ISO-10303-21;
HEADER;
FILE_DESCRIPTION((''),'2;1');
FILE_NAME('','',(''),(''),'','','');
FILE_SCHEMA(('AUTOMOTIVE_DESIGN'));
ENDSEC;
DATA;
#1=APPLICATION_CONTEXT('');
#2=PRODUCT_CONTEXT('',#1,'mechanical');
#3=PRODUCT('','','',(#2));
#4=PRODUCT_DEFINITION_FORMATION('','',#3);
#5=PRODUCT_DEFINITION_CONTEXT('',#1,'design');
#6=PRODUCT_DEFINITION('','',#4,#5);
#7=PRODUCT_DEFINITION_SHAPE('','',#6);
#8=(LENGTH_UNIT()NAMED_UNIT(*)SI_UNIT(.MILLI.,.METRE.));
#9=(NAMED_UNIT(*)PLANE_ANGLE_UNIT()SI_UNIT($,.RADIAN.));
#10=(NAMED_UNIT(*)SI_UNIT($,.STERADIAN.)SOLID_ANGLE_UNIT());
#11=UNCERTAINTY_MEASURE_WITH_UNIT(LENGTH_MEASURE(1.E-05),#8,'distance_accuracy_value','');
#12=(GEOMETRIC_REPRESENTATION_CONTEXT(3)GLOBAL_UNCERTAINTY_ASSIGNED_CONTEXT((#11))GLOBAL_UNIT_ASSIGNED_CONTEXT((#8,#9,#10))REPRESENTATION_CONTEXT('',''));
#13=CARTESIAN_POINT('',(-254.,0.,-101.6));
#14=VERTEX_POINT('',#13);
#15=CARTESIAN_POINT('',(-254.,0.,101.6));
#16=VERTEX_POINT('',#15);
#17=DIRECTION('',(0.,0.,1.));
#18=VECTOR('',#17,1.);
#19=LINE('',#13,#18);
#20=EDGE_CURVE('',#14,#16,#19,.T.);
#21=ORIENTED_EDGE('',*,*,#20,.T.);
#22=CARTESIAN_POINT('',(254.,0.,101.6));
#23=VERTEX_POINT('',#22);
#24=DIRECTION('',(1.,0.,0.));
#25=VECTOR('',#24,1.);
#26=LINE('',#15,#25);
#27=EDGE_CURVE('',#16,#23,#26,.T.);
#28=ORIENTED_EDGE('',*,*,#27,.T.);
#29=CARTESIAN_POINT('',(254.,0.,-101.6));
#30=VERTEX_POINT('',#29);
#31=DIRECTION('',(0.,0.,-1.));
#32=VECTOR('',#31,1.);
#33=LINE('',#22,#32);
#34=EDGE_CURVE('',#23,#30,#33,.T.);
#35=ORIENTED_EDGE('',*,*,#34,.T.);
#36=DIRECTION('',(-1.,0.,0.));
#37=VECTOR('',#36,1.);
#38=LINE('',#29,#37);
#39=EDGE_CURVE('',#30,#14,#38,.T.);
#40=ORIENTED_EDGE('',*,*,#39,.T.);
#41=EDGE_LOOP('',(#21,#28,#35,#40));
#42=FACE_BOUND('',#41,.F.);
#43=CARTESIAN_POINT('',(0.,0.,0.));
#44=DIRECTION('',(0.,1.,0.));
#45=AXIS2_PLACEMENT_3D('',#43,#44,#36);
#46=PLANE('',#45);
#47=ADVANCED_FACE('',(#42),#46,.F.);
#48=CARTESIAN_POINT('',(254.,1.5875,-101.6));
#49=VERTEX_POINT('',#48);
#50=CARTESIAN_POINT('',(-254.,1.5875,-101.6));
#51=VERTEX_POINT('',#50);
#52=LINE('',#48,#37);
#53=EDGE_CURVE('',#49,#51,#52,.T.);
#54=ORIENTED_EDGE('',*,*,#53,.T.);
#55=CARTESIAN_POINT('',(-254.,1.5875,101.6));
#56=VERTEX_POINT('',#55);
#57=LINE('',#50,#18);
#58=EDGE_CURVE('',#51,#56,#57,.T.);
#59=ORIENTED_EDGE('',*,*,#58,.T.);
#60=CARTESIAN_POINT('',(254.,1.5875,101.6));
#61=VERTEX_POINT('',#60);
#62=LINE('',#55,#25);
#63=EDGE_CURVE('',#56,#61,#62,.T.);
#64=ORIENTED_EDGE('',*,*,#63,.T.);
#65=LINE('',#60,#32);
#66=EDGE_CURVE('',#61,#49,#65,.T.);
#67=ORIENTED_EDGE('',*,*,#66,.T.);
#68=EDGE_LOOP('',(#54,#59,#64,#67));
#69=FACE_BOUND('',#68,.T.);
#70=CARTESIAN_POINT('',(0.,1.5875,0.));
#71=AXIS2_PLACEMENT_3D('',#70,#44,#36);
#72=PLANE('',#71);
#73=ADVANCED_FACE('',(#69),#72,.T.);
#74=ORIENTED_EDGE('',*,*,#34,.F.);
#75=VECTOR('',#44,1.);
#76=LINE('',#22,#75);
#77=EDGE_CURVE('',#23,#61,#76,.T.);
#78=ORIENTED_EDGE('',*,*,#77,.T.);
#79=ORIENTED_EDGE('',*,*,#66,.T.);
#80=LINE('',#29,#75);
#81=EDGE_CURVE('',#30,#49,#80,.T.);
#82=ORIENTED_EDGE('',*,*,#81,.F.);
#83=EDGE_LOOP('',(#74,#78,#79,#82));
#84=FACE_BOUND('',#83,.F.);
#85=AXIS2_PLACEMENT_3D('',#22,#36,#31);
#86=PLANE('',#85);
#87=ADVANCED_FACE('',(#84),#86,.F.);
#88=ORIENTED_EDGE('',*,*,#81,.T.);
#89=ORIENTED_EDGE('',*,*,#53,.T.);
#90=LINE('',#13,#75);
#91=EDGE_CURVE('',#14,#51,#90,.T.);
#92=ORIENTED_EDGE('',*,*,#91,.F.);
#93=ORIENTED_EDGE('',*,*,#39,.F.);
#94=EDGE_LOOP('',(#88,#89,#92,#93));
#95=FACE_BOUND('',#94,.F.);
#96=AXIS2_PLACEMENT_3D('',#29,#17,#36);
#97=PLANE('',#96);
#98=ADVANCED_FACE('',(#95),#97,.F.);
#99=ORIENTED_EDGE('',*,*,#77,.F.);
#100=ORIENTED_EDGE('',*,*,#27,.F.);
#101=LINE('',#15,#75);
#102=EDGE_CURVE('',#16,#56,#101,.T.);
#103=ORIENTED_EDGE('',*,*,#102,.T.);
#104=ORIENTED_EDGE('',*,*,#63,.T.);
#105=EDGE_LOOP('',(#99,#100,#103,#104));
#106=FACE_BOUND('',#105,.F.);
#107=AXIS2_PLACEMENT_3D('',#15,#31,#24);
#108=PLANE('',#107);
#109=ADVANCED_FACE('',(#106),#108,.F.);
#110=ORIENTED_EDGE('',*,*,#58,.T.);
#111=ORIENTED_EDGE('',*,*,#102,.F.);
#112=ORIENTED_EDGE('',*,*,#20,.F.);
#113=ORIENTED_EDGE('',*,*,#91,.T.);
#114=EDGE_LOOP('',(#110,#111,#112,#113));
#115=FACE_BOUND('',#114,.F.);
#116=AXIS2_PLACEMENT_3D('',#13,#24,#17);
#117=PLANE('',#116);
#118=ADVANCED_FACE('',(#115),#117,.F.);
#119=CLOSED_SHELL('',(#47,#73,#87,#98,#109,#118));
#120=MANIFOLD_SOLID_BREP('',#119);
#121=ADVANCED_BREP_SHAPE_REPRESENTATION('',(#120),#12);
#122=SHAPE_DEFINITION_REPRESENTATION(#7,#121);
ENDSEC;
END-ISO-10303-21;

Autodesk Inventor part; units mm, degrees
ref_plane "YZ Plane" through (0, 0, 0) normal (1, 0, 0) x (0, 1, 0)
ref_plane "XZ Plane" through (0, 0, 0) normal (0, 1, 0) x (-1, 0, 0)
ref_plane "XY Plane" through (0, 0, 0) normal (0, 0, 1) x (1, 0, 0)
sketch "Sketch1" plane through (0, 0, 0) normal (0, 1, 0) x (-1, 0, 0)
  line L0 (254, 101.6) -> (-254, 101.6)
  line L1 (-254, 101.6) -> (-254, -101.6)
  line L2 (-254, -101.6) -> (254, -101.6)
  line L3 (254, -101.6) -> (254, 101.6)
  line L4 (254, 101.6) -> (-254, -101.6) construction
  line L5 (-254, 101.6) -> (254, -101.6) construction
  point P0 (0, 0)
  dimension "d0" = 203.2
  dimension "d1" = 508
extrude "Extrusion1" add sketch "Sketch1" along normal blind 1.5875
equation "\"d0\" = ballRampWidth"
equation "\"d1\" = ballRampLength"
equation "\"d2\" = ballRampThickness"
equation "\"ballRampWidth\" = 203.2"
equation "\"ballRampLength\" = 508"
equation "\"ballRampThickness\" = 1.5875"
properties part number "ballRamp" material "Aluminum 6061"
